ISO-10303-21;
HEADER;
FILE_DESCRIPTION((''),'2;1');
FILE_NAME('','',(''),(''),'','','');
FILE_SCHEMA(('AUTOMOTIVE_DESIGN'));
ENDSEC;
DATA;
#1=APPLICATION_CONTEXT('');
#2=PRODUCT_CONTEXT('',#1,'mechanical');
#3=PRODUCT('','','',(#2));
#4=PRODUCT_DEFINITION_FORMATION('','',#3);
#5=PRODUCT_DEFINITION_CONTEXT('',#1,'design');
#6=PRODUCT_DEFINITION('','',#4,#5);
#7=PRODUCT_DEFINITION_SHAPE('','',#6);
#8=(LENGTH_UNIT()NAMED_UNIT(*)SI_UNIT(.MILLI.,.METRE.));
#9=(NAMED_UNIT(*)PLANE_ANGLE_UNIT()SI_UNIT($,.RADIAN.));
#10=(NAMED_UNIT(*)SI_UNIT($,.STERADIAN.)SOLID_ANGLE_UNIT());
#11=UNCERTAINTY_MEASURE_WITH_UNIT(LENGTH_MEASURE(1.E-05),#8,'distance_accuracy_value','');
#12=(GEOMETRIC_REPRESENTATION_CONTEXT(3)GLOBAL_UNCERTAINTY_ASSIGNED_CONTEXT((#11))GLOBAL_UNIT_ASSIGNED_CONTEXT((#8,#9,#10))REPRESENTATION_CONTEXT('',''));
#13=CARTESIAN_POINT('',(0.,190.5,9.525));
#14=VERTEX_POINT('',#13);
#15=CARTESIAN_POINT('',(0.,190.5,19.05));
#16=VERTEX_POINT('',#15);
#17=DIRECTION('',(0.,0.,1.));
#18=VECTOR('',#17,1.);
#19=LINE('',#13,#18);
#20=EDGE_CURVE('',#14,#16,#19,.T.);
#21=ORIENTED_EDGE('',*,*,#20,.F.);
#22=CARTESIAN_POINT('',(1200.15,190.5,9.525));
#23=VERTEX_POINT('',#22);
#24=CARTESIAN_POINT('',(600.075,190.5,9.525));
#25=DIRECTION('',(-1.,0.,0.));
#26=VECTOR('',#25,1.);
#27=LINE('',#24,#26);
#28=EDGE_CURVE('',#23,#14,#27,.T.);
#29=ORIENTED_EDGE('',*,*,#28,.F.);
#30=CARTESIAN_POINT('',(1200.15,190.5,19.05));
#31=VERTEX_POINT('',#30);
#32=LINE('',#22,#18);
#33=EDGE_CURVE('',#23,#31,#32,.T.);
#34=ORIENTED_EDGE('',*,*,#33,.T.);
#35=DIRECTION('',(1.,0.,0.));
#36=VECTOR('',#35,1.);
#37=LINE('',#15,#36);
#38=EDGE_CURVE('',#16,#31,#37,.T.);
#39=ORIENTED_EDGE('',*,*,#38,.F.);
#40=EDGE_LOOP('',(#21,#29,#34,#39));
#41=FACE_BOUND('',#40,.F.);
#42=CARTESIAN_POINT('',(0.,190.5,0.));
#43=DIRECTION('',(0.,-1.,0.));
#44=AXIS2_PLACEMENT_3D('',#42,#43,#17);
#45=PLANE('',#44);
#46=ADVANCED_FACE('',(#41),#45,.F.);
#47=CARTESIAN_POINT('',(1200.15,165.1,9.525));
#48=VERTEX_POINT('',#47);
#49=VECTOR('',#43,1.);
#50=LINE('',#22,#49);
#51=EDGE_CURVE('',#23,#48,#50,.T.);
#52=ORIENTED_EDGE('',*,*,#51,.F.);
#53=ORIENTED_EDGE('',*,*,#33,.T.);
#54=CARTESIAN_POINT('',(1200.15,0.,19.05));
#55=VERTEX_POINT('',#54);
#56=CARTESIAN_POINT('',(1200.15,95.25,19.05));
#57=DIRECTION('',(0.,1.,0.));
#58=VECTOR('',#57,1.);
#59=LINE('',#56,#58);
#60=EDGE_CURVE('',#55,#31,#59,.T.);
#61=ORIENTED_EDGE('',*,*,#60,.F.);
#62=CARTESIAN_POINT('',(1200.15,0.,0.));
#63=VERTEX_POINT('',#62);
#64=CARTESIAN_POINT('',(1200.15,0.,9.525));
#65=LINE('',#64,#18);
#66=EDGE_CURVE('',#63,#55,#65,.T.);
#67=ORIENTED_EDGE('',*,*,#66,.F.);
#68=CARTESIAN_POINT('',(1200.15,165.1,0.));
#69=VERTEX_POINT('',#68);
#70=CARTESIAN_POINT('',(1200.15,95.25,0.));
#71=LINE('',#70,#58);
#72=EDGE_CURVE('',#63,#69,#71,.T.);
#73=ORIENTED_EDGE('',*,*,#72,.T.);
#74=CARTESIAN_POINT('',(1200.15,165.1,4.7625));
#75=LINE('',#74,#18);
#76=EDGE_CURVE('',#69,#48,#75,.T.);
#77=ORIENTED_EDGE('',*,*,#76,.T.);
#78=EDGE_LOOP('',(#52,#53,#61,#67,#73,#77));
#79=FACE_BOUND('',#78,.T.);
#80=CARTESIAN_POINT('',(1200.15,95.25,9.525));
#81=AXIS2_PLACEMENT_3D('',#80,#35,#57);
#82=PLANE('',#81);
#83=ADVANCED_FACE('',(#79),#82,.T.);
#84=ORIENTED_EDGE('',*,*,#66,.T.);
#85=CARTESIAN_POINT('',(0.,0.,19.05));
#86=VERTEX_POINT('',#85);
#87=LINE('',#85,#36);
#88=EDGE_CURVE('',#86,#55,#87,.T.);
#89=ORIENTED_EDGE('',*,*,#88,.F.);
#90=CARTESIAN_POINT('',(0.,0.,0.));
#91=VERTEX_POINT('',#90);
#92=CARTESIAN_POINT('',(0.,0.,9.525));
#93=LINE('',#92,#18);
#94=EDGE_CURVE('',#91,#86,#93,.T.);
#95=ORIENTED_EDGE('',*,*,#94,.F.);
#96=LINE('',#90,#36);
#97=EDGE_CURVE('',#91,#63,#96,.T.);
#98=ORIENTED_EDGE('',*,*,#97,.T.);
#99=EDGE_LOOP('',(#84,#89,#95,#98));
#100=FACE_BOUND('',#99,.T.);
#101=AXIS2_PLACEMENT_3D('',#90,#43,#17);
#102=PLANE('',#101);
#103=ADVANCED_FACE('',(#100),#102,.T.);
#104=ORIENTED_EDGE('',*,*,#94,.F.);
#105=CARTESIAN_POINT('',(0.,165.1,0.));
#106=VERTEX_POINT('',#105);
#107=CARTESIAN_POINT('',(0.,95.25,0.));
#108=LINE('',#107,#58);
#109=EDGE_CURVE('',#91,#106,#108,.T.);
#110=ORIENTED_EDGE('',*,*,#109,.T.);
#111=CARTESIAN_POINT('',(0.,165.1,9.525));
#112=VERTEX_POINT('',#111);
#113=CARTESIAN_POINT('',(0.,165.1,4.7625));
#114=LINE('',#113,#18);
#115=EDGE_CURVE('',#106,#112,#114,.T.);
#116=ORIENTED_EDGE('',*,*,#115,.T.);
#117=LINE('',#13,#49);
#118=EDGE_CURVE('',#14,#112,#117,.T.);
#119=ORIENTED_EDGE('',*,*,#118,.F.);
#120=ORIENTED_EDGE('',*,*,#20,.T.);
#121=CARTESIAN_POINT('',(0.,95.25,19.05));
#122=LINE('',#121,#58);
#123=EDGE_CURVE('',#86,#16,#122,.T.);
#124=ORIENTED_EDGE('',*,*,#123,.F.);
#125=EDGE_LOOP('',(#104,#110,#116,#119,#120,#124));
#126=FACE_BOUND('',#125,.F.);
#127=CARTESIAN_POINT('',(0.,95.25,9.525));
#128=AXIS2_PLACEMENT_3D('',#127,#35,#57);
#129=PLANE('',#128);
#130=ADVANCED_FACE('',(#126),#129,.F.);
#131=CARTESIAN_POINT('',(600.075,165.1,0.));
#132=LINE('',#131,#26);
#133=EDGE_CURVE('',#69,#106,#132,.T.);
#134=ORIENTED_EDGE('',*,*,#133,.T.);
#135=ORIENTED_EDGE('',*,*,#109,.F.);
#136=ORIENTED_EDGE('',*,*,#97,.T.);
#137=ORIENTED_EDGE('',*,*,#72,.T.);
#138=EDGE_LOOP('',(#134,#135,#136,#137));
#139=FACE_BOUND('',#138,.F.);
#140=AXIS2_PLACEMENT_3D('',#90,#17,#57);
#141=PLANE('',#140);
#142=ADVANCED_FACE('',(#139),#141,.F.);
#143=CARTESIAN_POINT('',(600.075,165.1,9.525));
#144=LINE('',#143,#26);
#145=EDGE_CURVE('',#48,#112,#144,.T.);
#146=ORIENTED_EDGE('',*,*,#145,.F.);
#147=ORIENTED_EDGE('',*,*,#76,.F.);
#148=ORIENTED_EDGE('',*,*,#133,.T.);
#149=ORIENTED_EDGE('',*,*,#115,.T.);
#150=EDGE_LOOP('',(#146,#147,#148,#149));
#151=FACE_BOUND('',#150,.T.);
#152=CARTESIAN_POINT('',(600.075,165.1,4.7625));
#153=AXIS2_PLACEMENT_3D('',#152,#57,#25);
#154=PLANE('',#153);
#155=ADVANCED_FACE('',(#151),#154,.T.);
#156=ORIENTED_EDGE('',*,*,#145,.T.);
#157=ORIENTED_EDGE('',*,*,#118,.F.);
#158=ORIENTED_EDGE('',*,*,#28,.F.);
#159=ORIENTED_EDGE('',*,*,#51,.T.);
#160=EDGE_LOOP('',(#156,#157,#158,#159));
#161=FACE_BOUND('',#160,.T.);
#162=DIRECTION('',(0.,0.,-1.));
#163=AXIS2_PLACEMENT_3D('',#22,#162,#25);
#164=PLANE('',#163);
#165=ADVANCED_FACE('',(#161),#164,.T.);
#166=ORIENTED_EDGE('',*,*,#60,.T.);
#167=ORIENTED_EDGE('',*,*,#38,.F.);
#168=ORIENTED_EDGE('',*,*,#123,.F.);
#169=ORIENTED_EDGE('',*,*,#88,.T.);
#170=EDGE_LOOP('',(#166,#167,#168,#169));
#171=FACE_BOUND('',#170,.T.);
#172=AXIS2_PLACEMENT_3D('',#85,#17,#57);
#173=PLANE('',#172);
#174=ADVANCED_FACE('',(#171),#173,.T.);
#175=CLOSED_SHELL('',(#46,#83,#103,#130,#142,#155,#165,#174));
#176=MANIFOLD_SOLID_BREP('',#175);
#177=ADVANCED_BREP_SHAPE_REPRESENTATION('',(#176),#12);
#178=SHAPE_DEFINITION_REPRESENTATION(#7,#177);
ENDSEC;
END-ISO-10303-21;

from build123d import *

# Parameters (mm, degrees)
F0_W     = 190.5
F0_H     = 19.05
F1_DEPTH = 1200.15
F2_W     = 1200.15
F2_H     = 9.525
F3_DEPTH = 25.4


with BuildPart() as f1:
    # F0 (on Right) → F1 (new body)
    with BuildSketch(Plane.YZ):
        with Locations((95.25, 9.525)):
            Rectangle(F0_W, F0_H)
    extrude(amount=F1_DEPTH)

    # F2 (on face) → F3 (cut)
    with BuildSketch(Plane(origin=(0, 190.5, 0), x_dir=(-1, 0, 0), z_dir=(0, 1, 0))):
        with Locations((-600.075, 4.7625)):
            Rectangle(F2_W, F2_H)
    extrude(amount=-F3_DEPTH, mode=Mode.SUBTRACT)


solid = f1.part
